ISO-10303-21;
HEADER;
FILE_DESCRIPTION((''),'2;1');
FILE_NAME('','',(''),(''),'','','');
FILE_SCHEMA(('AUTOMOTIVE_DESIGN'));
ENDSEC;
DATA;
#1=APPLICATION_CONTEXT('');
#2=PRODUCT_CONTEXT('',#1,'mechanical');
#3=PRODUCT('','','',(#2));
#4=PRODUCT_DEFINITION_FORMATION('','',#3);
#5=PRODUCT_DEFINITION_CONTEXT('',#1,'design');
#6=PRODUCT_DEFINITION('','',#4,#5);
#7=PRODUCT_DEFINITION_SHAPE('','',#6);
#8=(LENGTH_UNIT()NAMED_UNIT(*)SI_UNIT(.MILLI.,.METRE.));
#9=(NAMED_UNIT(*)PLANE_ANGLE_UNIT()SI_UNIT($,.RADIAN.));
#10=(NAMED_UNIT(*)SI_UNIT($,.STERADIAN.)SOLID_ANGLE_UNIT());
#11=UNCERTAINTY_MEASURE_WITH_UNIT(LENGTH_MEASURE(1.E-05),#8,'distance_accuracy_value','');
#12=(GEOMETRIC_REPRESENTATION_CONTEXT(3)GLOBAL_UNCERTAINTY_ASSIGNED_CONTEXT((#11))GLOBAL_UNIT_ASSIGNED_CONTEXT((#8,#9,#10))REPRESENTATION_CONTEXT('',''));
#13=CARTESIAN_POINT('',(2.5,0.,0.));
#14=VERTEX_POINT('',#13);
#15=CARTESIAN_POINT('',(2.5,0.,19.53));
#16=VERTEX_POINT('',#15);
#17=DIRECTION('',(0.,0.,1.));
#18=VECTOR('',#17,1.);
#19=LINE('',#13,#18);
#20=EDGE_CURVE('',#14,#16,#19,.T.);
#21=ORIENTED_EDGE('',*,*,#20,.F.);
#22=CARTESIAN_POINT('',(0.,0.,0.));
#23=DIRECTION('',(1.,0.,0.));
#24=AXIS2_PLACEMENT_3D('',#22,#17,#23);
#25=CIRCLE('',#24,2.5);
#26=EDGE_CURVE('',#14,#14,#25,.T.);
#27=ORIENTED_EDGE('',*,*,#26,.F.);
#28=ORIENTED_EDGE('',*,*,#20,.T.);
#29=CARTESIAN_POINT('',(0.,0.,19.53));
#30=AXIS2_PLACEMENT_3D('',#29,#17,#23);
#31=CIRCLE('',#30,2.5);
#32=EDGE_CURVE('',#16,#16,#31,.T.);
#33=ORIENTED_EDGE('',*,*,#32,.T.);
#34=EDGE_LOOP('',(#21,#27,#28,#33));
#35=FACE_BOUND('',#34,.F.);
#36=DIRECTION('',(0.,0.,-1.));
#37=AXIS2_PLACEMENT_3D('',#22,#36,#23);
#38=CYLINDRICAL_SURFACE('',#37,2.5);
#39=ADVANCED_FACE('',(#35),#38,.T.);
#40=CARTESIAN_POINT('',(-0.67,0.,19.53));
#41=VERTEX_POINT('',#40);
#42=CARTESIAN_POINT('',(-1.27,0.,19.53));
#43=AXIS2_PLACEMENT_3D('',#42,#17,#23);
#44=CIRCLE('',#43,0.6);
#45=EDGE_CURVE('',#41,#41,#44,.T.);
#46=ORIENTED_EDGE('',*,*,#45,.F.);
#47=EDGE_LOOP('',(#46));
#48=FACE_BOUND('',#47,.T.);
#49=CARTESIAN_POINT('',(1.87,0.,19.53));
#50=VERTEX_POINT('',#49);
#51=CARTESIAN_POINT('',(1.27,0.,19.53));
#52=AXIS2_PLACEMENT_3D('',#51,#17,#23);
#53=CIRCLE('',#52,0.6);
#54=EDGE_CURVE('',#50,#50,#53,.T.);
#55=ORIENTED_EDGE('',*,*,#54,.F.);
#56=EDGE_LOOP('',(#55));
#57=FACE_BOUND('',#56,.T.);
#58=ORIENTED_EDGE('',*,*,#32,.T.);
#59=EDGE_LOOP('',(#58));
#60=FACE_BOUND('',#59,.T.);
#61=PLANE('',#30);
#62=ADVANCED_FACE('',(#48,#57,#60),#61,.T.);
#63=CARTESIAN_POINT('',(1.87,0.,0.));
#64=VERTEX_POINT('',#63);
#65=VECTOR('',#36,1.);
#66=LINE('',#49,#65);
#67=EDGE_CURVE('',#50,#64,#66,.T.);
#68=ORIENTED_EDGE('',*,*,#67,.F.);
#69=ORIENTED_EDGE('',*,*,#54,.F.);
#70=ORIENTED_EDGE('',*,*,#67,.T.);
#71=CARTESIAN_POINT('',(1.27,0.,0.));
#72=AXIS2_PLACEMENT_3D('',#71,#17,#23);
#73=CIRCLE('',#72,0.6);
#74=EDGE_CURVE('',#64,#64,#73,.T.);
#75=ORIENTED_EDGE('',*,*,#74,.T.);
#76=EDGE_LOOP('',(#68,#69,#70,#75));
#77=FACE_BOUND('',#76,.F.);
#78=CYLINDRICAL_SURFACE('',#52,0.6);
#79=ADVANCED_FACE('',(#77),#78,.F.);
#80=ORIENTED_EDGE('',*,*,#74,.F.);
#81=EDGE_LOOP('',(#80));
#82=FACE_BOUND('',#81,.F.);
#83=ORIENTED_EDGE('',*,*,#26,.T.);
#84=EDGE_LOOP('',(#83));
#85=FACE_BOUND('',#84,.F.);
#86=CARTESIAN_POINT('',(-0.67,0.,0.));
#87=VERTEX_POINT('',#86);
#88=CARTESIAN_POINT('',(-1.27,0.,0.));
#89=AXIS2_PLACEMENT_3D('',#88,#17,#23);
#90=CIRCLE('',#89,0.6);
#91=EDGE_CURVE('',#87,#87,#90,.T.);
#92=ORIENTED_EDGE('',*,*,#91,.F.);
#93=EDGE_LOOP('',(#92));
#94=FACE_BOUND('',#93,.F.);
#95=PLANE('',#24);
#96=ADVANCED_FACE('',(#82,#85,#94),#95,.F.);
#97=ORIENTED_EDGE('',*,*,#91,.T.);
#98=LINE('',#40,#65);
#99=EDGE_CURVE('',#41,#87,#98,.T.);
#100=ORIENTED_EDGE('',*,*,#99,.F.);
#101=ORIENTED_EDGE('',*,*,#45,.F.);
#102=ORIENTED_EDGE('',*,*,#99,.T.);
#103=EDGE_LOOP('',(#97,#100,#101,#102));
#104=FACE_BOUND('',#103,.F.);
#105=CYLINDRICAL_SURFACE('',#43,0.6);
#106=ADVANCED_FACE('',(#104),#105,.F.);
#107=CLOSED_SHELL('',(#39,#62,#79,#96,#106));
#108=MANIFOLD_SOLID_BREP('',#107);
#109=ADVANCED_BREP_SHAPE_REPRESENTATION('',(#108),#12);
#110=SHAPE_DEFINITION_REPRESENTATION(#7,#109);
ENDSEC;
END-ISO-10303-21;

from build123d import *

# Parameters (mm, degrees)
SKETCH_R     = 2.5
PAD_DEPTH    = 19.53
SKETCH001_R  = 0.6
POCKET_DEPTH = 19.531


with BuildPart() as part:
    # Sketch → Pad (new body)
    with BuildSketch(Plane.XY):
        Circle(SKETCH_R)
    extrude(amount=PAD_DEPTH)

    # Sketch001 (on Face3 of Pad) → Pocket (cut, through all)
    with BuildSketch(Plane.XY.offset(19.53)):
        with Locations((-1.27, 0)):
            Circle(SKETCH001_R)
        with Locations((1.27, 0)):
            Circle(SKETCH001_R)
    extrude(amount=-POCKET_DEPTH, mode=Mode.SUBTRACT)


solid = part.part
